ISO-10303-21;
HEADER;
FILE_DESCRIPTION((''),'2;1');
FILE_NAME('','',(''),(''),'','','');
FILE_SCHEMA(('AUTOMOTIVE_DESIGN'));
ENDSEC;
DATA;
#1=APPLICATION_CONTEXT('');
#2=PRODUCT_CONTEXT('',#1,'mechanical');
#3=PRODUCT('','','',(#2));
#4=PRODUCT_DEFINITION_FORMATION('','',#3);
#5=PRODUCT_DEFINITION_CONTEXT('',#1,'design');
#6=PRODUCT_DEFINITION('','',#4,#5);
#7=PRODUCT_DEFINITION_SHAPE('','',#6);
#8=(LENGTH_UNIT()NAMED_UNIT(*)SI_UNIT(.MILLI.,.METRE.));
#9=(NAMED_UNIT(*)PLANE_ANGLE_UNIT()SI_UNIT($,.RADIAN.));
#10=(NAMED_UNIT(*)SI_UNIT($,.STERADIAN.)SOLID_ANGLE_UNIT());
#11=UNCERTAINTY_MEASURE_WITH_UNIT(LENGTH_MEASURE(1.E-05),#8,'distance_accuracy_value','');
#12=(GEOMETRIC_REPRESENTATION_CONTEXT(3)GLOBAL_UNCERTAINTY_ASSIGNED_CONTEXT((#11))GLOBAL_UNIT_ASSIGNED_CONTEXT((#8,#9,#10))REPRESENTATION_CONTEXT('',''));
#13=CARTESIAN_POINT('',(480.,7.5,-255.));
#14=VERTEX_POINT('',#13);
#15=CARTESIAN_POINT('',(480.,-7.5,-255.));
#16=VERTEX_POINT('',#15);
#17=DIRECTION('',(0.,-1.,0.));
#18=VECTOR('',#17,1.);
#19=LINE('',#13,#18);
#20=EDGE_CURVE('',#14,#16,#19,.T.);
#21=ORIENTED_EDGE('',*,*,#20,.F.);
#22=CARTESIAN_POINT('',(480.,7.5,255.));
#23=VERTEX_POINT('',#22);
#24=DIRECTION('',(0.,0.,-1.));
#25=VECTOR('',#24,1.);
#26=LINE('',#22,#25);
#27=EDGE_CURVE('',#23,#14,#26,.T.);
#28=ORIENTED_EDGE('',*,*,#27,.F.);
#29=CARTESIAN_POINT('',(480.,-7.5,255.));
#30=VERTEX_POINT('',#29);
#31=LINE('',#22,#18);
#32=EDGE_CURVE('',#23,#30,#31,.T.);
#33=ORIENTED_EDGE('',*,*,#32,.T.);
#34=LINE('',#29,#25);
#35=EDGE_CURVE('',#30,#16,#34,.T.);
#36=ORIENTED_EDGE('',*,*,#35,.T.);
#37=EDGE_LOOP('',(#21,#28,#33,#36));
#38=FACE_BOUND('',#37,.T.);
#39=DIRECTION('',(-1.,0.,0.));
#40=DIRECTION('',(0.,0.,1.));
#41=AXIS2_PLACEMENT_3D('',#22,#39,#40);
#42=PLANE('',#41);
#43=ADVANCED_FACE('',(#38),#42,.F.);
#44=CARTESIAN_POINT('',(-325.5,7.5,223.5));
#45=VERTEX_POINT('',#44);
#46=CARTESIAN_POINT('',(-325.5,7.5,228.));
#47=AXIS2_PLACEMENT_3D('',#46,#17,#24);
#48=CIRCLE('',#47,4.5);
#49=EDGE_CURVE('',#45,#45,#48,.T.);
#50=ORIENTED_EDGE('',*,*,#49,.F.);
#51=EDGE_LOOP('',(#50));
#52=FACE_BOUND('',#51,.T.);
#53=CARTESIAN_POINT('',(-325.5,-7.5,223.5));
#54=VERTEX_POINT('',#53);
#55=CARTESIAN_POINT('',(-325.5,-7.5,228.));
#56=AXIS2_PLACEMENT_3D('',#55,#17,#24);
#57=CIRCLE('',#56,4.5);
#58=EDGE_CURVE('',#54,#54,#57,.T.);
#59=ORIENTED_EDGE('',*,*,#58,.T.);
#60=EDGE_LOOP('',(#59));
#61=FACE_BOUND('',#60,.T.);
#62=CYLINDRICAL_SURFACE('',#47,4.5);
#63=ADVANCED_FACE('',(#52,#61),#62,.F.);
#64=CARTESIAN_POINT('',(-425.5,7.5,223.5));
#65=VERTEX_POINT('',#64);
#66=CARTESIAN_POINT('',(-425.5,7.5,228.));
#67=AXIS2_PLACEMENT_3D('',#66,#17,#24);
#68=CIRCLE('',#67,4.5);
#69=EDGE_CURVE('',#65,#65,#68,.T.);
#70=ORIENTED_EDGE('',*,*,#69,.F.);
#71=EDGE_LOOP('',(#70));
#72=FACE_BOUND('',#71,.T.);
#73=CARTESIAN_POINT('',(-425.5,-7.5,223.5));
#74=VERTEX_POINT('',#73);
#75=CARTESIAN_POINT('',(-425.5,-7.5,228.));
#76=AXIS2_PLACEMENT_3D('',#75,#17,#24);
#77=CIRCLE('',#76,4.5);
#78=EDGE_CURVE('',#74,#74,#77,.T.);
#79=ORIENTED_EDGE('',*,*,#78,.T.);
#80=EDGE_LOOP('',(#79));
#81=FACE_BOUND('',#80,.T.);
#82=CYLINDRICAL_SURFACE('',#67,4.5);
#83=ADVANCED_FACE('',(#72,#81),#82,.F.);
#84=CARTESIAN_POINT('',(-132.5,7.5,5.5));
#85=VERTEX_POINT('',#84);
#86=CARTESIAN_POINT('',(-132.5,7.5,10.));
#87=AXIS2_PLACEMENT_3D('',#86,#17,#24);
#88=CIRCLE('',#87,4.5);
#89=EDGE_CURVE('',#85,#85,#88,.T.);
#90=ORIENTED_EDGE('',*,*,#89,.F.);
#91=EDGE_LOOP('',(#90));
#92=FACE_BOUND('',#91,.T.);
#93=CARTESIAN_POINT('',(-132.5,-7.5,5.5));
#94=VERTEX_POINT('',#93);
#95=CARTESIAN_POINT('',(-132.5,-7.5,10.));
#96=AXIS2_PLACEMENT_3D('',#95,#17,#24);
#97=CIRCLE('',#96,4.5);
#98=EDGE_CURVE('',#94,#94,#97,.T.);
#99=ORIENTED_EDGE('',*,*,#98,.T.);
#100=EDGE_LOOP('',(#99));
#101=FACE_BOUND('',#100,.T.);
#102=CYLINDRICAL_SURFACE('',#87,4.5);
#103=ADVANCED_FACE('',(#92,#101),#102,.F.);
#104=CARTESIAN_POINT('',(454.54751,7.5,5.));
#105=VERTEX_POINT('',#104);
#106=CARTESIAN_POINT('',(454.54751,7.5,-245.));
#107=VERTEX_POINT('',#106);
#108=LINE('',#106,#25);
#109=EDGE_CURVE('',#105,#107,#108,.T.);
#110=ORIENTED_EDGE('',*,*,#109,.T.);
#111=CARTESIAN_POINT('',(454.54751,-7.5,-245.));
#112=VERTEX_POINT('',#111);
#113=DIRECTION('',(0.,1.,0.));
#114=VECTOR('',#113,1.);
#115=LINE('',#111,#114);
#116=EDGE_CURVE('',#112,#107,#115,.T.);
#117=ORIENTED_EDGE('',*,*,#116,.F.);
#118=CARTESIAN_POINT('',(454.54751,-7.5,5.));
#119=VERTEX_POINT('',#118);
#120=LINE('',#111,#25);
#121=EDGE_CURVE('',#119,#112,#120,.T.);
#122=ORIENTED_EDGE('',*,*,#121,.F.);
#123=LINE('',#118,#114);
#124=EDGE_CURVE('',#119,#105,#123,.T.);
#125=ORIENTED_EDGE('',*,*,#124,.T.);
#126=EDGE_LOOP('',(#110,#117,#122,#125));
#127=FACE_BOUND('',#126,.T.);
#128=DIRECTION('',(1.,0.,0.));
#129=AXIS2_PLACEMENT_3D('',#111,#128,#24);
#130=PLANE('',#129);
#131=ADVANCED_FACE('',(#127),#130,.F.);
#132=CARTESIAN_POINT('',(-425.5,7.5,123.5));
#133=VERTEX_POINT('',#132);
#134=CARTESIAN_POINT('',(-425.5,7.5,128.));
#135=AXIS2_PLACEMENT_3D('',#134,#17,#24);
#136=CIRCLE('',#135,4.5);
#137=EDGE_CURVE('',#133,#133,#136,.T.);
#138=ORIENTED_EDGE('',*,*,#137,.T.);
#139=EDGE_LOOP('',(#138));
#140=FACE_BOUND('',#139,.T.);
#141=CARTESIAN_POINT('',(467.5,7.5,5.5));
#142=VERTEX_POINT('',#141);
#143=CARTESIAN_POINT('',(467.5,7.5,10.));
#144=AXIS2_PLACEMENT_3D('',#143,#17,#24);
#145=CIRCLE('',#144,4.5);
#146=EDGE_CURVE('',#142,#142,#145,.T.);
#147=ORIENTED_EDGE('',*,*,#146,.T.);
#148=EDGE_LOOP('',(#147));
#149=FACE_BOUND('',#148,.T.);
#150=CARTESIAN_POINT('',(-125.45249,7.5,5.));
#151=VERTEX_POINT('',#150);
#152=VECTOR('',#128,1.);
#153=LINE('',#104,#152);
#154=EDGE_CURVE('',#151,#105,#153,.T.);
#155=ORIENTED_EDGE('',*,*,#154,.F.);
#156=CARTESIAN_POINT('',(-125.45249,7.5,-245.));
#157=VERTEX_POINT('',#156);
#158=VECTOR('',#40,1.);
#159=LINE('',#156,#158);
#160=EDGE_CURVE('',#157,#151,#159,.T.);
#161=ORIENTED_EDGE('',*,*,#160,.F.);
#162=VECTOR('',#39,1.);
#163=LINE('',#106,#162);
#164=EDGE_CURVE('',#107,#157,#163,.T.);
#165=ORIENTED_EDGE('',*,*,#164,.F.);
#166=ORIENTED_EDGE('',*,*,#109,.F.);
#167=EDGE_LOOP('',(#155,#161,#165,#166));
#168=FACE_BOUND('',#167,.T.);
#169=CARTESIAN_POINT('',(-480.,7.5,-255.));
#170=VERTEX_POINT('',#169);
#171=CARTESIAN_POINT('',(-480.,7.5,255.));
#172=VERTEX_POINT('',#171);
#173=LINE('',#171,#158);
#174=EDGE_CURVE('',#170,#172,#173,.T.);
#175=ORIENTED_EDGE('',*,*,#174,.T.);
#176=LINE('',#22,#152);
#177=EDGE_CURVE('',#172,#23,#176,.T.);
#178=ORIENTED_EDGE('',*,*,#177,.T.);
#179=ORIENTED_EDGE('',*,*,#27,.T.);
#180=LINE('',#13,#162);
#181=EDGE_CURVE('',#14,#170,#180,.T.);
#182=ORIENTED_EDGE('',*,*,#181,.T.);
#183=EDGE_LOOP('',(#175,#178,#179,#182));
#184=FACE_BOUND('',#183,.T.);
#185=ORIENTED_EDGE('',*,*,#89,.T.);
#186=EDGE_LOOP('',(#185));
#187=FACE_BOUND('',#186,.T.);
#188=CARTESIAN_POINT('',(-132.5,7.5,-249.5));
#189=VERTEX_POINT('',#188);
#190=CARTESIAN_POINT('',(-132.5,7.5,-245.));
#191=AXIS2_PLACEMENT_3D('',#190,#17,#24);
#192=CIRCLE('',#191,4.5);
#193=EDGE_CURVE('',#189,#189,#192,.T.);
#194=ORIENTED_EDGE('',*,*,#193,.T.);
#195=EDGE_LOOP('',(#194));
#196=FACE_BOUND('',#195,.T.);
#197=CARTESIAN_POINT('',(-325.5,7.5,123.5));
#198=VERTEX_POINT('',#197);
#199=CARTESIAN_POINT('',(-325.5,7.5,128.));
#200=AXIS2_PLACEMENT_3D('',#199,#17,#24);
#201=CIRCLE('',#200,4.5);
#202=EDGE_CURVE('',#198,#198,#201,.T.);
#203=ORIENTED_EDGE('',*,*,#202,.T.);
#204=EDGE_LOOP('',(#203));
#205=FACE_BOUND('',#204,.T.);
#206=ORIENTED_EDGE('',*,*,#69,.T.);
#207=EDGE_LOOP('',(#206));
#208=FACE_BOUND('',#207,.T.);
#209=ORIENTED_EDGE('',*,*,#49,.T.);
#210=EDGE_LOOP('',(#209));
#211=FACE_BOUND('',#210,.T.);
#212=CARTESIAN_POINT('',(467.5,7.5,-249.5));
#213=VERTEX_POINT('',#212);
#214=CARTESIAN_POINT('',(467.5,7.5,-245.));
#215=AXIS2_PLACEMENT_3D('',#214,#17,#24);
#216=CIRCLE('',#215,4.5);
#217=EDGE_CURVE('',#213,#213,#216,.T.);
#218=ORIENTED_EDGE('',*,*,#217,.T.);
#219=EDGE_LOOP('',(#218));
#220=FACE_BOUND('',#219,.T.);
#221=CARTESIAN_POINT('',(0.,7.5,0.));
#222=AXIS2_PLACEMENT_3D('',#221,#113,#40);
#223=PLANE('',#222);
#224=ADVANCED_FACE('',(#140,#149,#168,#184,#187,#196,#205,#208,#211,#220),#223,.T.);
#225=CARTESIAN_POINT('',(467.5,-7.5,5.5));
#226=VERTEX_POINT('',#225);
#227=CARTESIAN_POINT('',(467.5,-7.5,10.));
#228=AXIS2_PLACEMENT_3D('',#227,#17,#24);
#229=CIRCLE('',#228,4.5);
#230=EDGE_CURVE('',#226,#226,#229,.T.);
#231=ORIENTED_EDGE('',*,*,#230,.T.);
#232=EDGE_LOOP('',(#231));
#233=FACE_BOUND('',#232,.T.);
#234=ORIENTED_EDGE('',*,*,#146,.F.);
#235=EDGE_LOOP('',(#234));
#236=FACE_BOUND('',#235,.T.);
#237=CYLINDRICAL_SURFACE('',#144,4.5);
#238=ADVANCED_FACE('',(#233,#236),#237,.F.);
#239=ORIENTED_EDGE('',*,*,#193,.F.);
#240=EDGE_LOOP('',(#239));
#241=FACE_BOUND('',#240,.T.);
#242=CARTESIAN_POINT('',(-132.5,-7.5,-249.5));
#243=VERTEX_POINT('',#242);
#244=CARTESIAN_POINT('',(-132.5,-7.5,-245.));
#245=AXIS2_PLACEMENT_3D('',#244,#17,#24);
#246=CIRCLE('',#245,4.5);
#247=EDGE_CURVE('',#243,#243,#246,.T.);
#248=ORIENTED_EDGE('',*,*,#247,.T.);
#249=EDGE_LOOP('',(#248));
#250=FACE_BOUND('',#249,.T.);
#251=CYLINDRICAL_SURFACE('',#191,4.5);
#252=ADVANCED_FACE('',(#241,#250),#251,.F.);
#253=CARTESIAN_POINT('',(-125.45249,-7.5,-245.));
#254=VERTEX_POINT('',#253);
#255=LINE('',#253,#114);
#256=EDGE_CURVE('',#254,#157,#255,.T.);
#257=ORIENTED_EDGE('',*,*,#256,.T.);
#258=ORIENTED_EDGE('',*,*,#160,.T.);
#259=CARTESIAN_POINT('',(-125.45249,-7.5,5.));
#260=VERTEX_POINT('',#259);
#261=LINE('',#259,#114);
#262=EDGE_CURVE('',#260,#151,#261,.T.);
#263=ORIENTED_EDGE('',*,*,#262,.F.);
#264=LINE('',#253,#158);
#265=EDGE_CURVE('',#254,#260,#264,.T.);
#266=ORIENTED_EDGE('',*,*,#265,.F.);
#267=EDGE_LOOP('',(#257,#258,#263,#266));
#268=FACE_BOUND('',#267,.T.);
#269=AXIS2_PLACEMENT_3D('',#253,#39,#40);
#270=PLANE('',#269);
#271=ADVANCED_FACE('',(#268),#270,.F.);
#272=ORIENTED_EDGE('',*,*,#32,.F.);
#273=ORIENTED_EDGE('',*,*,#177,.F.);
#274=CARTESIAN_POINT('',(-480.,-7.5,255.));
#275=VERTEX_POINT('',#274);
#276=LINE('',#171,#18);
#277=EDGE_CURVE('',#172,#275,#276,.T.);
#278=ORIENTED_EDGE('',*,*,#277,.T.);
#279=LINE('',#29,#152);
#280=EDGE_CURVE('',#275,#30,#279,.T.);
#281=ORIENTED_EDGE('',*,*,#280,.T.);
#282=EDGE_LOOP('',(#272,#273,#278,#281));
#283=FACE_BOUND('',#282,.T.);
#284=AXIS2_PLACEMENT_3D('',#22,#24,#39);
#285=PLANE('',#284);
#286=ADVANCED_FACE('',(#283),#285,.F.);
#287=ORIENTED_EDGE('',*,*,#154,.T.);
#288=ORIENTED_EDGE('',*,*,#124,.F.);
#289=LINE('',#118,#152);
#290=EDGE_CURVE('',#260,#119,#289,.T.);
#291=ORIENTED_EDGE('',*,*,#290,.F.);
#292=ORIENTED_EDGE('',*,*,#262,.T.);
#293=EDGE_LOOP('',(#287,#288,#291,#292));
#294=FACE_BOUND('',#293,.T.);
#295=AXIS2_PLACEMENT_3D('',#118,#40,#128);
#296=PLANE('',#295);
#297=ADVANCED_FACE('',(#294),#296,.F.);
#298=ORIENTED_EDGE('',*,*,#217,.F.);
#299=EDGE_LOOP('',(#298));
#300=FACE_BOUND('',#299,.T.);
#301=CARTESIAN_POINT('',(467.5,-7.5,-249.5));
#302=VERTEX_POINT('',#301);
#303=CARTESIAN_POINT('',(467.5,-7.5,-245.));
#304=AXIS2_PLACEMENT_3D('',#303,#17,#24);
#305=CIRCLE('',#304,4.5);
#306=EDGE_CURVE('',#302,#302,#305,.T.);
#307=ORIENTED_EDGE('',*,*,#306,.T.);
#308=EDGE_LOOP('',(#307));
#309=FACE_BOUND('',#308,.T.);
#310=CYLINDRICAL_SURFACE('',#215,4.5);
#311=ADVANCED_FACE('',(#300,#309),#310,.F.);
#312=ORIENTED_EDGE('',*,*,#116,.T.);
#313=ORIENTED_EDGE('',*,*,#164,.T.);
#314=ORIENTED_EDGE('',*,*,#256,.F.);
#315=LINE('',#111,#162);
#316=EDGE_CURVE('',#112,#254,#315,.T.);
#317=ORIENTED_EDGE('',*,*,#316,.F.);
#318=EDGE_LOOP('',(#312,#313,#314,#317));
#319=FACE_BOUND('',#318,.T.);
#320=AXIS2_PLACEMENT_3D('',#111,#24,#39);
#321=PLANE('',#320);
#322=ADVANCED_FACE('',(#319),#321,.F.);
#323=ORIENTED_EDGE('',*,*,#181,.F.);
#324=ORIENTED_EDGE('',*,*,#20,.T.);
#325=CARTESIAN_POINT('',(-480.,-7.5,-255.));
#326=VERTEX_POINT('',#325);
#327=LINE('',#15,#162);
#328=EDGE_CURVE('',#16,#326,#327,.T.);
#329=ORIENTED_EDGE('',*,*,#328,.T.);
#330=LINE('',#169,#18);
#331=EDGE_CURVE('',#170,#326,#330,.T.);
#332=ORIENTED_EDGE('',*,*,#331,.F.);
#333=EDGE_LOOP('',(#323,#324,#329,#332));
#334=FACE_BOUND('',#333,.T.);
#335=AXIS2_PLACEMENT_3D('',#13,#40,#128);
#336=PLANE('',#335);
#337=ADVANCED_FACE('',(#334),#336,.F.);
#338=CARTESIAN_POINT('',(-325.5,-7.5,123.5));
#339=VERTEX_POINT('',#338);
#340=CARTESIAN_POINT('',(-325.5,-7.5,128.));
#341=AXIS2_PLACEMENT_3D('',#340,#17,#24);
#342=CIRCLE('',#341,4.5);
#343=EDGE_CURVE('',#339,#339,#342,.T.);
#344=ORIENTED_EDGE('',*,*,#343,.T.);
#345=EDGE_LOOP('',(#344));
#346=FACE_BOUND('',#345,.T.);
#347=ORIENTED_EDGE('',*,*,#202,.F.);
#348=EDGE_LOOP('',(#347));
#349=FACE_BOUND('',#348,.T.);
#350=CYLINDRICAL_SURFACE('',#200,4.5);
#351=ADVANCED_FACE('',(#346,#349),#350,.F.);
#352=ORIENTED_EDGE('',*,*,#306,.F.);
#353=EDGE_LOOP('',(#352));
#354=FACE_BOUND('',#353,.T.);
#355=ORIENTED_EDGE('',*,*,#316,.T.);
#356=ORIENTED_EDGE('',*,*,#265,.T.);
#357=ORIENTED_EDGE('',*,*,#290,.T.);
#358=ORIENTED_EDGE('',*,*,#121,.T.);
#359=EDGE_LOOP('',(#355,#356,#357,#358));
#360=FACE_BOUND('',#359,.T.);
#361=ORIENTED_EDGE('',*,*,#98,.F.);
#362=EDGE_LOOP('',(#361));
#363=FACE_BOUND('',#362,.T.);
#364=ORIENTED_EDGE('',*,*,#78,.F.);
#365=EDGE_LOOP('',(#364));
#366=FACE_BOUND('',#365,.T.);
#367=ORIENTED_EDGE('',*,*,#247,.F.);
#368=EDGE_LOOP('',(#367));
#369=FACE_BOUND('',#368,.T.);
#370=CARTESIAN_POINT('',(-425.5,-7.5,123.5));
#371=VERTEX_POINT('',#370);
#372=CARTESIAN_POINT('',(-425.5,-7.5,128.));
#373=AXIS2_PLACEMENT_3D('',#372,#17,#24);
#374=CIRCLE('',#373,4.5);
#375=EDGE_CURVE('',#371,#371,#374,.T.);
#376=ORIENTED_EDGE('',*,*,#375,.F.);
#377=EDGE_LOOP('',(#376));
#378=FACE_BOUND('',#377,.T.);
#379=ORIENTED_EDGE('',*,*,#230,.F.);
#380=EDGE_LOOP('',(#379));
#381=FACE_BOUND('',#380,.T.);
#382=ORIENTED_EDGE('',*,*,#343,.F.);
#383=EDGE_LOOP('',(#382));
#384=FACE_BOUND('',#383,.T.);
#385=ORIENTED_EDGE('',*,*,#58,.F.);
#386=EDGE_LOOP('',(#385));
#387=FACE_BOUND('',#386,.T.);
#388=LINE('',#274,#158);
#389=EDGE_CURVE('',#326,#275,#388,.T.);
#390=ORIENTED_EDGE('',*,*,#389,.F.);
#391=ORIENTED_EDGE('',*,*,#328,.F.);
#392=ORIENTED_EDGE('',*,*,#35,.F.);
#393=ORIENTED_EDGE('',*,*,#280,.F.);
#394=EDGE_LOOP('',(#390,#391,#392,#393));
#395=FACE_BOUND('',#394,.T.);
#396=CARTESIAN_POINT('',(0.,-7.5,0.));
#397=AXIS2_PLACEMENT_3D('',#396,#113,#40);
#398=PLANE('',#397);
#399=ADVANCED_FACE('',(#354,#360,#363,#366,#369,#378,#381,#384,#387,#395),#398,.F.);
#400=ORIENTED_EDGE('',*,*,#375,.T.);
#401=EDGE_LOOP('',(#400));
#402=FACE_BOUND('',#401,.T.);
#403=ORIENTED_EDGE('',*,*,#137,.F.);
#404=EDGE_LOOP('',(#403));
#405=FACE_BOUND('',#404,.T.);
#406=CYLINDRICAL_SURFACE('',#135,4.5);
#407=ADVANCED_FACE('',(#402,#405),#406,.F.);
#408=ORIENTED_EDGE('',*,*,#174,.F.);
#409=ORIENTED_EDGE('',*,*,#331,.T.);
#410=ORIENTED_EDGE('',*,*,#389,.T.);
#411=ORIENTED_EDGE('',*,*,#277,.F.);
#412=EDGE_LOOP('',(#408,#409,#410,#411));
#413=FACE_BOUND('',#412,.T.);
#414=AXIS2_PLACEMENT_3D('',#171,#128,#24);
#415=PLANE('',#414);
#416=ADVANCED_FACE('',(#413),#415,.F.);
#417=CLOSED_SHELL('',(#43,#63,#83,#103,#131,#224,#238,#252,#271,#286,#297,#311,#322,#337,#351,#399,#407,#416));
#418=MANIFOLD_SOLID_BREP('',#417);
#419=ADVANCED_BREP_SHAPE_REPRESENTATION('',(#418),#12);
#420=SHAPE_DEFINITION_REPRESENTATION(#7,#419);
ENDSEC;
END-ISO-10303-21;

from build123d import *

# Parameters (mm, degrees)
SKETCH1_W               = 960
SKETCH1_H               = 510
BOSS_EXTRUDE1_DEPTH     = 7.5
SKETCH3_W               = 580
SKETCH3_H               = 250
CUT_EXTRUDE1_DEPTH      = 16
ESQUISSE3_R             = 4.5
ENL_V_MAT_EXTRU_2_DEPTH = 16


with BuildPart() as part:
    # Sketch1 → Boss-Extrude1 (new body, symmetric)
    with BuildSketch(Plane(origin=(0, 0, 0), x_dir=(1, 0, 0), z_dir=(0, 1, 0))):
        Rectangle(SKETCH1_W, SKETCH1_H)
    extrude(amount=BOSS_EXTRUDE1_DEPTH, both=True)

    # Sketch3 → Cut-Extrude1 (cut, through all)
    with BuildSketch(Plane(origin=(0, 7.5, 0), x_dir=(1, 0, 0), z_dir=(0, 1, 0))):
        with Locations((164.54751, 120)):
            Rectangle(SKETCH3_W, SKETCH3_H)
    extrude(amount=-CUT_EXTRUDE1_DEPTH, mode=Mode.SUBTRACT)

    # Esquisse3 → Enlèv. mat.-Extru.2 (cut, through all)
    with BuildSketch(Plane.XZ.offset(7.5)):
        with Locations((-425.5, 228)):
            Circle(ESQUISSE3_R)
        with Locations((-425.5, 128)):
            Circle(ESQUISSE3_R)
        with Locations((-325.5, 128)):
            Circle(ESQUISSE3_R)
        with Locations((-325.5, 228)):
            Circle(ESQUISSE3_R)
        with Locations((-132.5, 10)):
            Circle(ESQUISSE3_R)
        with Locations((-132.5, -245)):
            Circle(ESQUISSE3_R)
        with Locations((467.5, -245)):
            Circle(ESQUISSE3_R)
        with Locations((467.5, 10)):
            Circle(ESQUISSE3_R)
    extrude(amount=-ENL_V_MAT_EXTRU_2_DEPTH, mode=Mode.SUBTRACT)


solid = part.part
